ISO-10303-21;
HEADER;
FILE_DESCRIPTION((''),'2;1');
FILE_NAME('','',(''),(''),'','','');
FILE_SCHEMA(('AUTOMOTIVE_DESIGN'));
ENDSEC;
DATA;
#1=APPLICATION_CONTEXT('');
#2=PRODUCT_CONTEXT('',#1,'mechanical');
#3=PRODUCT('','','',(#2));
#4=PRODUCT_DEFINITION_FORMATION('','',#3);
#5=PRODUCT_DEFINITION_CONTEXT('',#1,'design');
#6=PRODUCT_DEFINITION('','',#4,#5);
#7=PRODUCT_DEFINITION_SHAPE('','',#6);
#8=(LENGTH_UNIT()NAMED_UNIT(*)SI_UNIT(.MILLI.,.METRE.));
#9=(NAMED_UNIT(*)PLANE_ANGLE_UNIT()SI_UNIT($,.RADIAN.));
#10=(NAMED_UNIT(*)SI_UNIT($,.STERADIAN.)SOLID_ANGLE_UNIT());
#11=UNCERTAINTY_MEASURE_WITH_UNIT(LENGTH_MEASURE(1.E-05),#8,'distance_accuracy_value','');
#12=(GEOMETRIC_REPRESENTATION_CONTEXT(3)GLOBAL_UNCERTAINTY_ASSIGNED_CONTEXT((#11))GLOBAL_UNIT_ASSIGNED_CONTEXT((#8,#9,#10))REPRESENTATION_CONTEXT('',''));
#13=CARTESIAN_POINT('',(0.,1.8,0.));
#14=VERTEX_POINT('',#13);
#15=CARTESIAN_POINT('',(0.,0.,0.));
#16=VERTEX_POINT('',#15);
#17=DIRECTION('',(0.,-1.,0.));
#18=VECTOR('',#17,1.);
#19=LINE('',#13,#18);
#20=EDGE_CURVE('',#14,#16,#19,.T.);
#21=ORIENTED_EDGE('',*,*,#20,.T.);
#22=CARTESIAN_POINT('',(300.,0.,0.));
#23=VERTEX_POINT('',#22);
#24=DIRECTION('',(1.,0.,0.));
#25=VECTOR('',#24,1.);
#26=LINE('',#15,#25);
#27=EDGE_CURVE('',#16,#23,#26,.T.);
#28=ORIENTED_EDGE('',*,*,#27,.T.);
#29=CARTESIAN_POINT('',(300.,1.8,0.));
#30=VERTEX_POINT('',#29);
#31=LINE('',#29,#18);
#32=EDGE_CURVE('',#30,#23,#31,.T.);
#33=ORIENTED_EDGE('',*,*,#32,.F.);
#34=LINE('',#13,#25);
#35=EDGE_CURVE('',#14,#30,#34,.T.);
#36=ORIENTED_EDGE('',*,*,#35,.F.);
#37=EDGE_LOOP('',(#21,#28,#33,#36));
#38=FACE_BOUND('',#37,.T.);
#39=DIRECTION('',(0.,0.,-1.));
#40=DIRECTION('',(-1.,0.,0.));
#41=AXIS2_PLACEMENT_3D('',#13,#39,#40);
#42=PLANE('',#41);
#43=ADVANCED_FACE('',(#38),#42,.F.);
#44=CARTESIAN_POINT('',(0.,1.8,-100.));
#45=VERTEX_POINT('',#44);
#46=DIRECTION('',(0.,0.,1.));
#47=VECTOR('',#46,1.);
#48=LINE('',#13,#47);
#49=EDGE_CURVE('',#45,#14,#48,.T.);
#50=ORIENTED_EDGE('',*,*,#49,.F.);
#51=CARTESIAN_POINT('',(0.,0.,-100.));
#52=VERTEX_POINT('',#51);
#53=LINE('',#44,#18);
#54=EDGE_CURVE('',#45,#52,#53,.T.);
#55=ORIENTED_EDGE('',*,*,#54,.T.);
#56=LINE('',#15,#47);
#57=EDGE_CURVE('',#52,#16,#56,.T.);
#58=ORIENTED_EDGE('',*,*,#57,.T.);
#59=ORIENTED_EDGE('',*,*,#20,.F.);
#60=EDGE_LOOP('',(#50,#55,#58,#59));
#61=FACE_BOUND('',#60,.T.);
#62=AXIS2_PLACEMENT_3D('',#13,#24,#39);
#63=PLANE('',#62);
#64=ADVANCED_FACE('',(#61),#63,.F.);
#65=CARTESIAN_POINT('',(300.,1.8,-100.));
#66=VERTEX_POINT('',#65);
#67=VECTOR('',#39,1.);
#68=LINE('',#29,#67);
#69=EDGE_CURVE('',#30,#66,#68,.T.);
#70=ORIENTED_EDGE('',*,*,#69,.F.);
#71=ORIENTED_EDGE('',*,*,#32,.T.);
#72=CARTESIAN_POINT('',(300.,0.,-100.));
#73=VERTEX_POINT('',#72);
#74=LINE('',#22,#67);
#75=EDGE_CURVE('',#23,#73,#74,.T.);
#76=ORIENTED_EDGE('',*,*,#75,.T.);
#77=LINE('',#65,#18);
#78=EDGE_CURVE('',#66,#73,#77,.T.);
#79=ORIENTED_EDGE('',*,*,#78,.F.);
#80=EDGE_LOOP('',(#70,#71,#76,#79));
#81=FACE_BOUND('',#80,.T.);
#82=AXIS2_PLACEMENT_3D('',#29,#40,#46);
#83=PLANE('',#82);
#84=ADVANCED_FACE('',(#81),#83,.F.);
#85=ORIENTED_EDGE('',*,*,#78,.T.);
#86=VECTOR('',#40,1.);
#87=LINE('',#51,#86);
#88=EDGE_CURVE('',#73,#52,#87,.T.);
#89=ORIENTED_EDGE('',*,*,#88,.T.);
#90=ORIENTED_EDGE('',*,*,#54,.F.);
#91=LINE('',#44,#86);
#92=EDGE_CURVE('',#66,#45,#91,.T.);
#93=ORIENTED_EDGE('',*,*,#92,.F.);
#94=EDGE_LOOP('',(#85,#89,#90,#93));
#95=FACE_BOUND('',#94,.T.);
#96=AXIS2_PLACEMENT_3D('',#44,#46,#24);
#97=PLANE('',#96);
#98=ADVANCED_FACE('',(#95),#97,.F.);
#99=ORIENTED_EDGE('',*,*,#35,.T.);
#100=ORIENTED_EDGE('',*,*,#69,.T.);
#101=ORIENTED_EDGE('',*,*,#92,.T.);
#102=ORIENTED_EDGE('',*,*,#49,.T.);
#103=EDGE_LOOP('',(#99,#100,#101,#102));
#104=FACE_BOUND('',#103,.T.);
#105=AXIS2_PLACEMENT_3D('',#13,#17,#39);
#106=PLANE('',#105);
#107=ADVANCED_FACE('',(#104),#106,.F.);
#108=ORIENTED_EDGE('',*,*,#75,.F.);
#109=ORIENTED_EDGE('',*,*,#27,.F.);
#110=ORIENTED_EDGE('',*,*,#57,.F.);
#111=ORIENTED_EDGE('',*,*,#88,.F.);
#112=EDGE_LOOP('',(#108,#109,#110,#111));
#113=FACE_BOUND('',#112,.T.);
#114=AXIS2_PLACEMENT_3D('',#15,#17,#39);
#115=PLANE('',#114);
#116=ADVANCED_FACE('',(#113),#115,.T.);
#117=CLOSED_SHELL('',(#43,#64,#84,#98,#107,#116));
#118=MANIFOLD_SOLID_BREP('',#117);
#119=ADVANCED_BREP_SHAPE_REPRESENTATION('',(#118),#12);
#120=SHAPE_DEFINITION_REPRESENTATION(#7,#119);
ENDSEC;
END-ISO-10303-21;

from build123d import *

# Parameters (mm, degrees)
SKETCH_1_W      = 300
SKETCH_1_H      = 100
EXTRUDE_1_DEPTH = 1.8


with BuildPart() as part:
    # 草图1 → 凸台-拉伸1 (new body)
    with BuildSketch(Plane(origin=(0, 0, 0), x_dir=(1, 0, 0), z_dir=(0, 1, 0))):
        with Locations((150, 50)):
            Rectangle(SKETCH_1_W, SKETCH_1_H)
    extrude(amount=EXTRUDE_1_DEPTH)


solid = part.part
